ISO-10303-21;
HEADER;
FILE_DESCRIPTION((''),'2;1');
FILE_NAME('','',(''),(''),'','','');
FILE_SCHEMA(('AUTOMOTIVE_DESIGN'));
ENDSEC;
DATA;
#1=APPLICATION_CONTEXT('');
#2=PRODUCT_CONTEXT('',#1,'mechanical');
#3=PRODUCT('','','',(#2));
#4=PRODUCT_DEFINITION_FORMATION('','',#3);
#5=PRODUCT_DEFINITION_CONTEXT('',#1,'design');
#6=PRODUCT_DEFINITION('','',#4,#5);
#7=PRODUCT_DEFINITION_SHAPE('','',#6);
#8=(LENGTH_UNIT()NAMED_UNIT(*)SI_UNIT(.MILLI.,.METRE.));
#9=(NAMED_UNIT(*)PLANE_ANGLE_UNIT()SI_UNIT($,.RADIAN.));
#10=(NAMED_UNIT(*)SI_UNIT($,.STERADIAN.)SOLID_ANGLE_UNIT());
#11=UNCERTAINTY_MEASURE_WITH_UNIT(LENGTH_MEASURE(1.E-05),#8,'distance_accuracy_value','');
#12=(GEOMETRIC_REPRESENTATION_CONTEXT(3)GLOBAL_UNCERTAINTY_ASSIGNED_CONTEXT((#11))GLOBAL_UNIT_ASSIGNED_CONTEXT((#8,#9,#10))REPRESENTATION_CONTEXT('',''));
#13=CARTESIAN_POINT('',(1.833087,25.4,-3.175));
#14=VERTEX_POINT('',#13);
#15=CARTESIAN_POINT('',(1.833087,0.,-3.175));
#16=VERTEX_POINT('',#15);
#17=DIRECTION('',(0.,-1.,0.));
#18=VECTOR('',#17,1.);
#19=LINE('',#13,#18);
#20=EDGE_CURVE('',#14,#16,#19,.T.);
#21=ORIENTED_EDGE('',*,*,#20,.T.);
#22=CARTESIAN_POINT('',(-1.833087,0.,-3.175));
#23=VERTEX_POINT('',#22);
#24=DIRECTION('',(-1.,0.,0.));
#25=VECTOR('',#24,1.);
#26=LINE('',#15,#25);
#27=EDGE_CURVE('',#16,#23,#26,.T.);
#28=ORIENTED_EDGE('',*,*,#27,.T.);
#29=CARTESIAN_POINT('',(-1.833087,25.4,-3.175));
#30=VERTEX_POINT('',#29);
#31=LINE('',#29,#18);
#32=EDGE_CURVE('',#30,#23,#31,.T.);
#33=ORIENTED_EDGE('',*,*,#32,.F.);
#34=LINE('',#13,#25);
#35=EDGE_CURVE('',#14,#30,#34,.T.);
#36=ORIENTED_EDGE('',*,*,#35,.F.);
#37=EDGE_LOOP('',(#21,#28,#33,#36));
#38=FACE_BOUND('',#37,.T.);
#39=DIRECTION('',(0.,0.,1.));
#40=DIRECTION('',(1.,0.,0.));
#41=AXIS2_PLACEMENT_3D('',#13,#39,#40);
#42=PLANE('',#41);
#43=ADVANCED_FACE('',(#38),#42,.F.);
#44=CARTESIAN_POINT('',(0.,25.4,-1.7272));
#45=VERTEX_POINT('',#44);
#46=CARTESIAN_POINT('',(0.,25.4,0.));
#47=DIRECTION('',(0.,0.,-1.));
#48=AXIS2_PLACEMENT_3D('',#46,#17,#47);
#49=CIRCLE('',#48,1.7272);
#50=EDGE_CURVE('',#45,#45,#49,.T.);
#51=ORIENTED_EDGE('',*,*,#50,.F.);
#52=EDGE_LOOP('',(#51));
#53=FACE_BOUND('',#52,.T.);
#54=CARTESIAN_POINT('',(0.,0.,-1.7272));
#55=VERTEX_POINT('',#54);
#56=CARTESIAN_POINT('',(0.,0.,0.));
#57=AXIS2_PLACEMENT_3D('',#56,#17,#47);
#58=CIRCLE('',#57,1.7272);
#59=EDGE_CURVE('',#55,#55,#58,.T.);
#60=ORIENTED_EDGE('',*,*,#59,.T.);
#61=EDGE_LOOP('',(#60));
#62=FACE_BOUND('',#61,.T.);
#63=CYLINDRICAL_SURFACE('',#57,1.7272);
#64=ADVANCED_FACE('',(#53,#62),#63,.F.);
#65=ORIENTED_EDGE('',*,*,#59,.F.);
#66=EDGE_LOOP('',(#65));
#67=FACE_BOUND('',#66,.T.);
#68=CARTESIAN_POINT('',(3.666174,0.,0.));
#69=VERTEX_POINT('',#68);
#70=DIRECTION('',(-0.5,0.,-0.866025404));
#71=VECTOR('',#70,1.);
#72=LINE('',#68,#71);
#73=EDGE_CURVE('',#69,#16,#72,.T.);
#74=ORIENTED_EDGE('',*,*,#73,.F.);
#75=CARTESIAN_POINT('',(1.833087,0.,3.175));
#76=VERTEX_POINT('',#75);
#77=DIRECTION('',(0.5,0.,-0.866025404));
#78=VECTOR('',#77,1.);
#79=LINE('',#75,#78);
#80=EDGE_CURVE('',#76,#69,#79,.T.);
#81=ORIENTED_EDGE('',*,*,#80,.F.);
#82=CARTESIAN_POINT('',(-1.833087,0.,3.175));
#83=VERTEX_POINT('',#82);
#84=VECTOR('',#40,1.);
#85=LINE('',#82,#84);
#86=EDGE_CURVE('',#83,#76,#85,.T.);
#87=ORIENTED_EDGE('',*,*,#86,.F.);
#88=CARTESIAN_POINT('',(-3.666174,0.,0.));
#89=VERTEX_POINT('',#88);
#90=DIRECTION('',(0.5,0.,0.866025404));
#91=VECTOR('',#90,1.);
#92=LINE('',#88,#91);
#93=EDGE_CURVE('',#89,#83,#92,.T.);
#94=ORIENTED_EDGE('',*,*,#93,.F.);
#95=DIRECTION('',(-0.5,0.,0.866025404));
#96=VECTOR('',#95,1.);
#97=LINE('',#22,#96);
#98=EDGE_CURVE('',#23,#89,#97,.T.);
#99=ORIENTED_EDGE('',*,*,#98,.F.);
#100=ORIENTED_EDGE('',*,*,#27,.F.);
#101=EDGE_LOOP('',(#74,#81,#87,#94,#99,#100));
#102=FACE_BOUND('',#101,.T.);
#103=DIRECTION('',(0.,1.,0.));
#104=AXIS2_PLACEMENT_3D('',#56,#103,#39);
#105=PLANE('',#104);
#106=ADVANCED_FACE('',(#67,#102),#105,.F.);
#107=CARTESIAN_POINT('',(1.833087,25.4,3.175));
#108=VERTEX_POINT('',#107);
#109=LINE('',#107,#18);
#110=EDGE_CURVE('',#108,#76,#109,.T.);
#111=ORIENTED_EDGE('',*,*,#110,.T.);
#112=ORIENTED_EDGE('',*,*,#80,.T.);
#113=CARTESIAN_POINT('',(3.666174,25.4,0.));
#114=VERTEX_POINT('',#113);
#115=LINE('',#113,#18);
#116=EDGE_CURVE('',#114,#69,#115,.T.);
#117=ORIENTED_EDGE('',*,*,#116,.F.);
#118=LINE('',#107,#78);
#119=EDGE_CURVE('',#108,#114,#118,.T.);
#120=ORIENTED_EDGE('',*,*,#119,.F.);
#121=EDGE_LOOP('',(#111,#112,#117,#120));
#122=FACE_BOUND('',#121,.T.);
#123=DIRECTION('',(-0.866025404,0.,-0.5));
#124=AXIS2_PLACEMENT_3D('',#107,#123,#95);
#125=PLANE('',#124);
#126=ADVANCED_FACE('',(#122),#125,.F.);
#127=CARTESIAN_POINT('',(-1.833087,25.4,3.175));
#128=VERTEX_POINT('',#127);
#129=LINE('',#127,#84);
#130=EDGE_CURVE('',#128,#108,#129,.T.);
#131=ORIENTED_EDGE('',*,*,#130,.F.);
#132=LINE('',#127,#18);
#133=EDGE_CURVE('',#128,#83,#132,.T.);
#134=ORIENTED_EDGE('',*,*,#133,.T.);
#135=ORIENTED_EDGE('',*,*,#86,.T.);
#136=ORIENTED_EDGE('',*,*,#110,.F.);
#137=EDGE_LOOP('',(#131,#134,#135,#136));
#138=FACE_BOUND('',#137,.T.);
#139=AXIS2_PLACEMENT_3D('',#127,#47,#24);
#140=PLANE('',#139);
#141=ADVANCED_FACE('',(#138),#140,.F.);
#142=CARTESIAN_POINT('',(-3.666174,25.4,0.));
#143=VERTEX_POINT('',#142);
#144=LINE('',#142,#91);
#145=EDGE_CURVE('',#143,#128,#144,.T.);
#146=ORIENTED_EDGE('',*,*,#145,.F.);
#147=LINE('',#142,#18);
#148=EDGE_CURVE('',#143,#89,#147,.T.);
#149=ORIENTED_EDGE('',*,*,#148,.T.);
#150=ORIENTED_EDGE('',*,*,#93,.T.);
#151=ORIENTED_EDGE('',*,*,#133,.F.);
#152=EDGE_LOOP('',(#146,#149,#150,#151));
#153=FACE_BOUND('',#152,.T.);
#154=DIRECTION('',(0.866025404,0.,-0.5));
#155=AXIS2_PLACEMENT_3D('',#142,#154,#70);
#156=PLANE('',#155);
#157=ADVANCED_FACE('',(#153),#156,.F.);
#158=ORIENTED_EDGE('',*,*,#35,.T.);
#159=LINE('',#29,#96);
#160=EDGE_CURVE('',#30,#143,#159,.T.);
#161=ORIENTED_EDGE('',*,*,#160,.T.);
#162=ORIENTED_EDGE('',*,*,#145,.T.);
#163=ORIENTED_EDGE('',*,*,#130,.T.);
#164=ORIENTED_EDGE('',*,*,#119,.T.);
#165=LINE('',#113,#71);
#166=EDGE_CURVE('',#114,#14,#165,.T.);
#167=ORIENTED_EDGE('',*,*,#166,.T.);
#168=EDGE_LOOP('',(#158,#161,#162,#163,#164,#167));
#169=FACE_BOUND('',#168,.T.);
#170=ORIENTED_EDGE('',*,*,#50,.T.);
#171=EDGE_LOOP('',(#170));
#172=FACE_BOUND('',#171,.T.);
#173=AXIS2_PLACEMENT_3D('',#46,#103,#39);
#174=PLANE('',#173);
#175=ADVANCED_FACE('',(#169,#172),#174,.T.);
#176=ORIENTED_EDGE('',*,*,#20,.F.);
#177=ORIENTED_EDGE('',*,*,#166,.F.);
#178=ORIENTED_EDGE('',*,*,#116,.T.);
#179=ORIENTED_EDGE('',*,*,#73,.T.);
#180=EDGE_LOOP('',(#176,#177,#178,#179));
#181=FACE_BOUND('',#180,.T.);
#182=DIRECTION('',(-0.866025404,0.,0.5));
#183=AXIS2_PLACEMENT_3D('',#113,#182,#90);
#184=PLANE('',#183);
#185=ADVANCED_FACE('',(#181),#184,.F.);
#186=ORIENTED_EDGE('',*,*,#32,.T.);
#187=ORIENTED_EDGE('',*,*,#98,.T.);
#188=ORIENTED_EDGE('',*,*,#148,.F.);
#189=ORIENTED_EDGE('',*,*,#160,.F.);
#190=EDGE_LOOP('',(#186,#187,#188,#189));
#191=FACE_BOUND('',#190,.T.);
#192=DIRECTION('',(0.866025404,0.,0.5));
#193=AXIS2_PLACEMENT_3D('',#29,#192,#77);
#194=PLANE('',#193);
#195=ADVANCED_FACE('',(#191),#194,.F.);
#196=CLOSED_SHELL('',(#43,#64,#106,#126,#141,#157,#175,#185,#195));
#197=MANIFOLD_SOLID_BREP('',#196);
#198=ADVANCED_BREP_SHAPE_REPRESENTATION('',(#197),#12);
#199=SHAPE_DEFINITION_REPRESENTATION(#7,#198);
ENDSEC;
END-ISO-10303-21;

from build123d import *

# Parameters (mm, degrees)
BOSS_EXTRUDE1_DEPTH   = 25.4
F_8_32_TAPPED_HOLE1_D = 3.4544


with BuildPart() as part:
    # Sketch1 → Boss-Extrude1 (new body)
    with BuildSketch(Plane(origin=(0, 0, 0), x_dir=(1, 0, 0), z_dir=(0, 1, 0))):
        Polygon((3.666174209, 0), (1.833087105, 3.175), (-1.833087105, 3.175), (-3.666174209, 0), (-1.833087105, -3.175), (1.833087105, -3.175), align=None)
    extrude(amount=BOSS_EXTRUDE1_DEPTH)

    # #8-32 Tapped Hole1 (through all)
    with Locations(Plane(origin=(0, 0, 0), x_dir=(-1, 0, 0), z_dir=(0, -1, 0))):
        with Locations((0, 0)):
            Hole(F_8_32_TAPPED_HOLE1_D / 2)


solid = part.part
